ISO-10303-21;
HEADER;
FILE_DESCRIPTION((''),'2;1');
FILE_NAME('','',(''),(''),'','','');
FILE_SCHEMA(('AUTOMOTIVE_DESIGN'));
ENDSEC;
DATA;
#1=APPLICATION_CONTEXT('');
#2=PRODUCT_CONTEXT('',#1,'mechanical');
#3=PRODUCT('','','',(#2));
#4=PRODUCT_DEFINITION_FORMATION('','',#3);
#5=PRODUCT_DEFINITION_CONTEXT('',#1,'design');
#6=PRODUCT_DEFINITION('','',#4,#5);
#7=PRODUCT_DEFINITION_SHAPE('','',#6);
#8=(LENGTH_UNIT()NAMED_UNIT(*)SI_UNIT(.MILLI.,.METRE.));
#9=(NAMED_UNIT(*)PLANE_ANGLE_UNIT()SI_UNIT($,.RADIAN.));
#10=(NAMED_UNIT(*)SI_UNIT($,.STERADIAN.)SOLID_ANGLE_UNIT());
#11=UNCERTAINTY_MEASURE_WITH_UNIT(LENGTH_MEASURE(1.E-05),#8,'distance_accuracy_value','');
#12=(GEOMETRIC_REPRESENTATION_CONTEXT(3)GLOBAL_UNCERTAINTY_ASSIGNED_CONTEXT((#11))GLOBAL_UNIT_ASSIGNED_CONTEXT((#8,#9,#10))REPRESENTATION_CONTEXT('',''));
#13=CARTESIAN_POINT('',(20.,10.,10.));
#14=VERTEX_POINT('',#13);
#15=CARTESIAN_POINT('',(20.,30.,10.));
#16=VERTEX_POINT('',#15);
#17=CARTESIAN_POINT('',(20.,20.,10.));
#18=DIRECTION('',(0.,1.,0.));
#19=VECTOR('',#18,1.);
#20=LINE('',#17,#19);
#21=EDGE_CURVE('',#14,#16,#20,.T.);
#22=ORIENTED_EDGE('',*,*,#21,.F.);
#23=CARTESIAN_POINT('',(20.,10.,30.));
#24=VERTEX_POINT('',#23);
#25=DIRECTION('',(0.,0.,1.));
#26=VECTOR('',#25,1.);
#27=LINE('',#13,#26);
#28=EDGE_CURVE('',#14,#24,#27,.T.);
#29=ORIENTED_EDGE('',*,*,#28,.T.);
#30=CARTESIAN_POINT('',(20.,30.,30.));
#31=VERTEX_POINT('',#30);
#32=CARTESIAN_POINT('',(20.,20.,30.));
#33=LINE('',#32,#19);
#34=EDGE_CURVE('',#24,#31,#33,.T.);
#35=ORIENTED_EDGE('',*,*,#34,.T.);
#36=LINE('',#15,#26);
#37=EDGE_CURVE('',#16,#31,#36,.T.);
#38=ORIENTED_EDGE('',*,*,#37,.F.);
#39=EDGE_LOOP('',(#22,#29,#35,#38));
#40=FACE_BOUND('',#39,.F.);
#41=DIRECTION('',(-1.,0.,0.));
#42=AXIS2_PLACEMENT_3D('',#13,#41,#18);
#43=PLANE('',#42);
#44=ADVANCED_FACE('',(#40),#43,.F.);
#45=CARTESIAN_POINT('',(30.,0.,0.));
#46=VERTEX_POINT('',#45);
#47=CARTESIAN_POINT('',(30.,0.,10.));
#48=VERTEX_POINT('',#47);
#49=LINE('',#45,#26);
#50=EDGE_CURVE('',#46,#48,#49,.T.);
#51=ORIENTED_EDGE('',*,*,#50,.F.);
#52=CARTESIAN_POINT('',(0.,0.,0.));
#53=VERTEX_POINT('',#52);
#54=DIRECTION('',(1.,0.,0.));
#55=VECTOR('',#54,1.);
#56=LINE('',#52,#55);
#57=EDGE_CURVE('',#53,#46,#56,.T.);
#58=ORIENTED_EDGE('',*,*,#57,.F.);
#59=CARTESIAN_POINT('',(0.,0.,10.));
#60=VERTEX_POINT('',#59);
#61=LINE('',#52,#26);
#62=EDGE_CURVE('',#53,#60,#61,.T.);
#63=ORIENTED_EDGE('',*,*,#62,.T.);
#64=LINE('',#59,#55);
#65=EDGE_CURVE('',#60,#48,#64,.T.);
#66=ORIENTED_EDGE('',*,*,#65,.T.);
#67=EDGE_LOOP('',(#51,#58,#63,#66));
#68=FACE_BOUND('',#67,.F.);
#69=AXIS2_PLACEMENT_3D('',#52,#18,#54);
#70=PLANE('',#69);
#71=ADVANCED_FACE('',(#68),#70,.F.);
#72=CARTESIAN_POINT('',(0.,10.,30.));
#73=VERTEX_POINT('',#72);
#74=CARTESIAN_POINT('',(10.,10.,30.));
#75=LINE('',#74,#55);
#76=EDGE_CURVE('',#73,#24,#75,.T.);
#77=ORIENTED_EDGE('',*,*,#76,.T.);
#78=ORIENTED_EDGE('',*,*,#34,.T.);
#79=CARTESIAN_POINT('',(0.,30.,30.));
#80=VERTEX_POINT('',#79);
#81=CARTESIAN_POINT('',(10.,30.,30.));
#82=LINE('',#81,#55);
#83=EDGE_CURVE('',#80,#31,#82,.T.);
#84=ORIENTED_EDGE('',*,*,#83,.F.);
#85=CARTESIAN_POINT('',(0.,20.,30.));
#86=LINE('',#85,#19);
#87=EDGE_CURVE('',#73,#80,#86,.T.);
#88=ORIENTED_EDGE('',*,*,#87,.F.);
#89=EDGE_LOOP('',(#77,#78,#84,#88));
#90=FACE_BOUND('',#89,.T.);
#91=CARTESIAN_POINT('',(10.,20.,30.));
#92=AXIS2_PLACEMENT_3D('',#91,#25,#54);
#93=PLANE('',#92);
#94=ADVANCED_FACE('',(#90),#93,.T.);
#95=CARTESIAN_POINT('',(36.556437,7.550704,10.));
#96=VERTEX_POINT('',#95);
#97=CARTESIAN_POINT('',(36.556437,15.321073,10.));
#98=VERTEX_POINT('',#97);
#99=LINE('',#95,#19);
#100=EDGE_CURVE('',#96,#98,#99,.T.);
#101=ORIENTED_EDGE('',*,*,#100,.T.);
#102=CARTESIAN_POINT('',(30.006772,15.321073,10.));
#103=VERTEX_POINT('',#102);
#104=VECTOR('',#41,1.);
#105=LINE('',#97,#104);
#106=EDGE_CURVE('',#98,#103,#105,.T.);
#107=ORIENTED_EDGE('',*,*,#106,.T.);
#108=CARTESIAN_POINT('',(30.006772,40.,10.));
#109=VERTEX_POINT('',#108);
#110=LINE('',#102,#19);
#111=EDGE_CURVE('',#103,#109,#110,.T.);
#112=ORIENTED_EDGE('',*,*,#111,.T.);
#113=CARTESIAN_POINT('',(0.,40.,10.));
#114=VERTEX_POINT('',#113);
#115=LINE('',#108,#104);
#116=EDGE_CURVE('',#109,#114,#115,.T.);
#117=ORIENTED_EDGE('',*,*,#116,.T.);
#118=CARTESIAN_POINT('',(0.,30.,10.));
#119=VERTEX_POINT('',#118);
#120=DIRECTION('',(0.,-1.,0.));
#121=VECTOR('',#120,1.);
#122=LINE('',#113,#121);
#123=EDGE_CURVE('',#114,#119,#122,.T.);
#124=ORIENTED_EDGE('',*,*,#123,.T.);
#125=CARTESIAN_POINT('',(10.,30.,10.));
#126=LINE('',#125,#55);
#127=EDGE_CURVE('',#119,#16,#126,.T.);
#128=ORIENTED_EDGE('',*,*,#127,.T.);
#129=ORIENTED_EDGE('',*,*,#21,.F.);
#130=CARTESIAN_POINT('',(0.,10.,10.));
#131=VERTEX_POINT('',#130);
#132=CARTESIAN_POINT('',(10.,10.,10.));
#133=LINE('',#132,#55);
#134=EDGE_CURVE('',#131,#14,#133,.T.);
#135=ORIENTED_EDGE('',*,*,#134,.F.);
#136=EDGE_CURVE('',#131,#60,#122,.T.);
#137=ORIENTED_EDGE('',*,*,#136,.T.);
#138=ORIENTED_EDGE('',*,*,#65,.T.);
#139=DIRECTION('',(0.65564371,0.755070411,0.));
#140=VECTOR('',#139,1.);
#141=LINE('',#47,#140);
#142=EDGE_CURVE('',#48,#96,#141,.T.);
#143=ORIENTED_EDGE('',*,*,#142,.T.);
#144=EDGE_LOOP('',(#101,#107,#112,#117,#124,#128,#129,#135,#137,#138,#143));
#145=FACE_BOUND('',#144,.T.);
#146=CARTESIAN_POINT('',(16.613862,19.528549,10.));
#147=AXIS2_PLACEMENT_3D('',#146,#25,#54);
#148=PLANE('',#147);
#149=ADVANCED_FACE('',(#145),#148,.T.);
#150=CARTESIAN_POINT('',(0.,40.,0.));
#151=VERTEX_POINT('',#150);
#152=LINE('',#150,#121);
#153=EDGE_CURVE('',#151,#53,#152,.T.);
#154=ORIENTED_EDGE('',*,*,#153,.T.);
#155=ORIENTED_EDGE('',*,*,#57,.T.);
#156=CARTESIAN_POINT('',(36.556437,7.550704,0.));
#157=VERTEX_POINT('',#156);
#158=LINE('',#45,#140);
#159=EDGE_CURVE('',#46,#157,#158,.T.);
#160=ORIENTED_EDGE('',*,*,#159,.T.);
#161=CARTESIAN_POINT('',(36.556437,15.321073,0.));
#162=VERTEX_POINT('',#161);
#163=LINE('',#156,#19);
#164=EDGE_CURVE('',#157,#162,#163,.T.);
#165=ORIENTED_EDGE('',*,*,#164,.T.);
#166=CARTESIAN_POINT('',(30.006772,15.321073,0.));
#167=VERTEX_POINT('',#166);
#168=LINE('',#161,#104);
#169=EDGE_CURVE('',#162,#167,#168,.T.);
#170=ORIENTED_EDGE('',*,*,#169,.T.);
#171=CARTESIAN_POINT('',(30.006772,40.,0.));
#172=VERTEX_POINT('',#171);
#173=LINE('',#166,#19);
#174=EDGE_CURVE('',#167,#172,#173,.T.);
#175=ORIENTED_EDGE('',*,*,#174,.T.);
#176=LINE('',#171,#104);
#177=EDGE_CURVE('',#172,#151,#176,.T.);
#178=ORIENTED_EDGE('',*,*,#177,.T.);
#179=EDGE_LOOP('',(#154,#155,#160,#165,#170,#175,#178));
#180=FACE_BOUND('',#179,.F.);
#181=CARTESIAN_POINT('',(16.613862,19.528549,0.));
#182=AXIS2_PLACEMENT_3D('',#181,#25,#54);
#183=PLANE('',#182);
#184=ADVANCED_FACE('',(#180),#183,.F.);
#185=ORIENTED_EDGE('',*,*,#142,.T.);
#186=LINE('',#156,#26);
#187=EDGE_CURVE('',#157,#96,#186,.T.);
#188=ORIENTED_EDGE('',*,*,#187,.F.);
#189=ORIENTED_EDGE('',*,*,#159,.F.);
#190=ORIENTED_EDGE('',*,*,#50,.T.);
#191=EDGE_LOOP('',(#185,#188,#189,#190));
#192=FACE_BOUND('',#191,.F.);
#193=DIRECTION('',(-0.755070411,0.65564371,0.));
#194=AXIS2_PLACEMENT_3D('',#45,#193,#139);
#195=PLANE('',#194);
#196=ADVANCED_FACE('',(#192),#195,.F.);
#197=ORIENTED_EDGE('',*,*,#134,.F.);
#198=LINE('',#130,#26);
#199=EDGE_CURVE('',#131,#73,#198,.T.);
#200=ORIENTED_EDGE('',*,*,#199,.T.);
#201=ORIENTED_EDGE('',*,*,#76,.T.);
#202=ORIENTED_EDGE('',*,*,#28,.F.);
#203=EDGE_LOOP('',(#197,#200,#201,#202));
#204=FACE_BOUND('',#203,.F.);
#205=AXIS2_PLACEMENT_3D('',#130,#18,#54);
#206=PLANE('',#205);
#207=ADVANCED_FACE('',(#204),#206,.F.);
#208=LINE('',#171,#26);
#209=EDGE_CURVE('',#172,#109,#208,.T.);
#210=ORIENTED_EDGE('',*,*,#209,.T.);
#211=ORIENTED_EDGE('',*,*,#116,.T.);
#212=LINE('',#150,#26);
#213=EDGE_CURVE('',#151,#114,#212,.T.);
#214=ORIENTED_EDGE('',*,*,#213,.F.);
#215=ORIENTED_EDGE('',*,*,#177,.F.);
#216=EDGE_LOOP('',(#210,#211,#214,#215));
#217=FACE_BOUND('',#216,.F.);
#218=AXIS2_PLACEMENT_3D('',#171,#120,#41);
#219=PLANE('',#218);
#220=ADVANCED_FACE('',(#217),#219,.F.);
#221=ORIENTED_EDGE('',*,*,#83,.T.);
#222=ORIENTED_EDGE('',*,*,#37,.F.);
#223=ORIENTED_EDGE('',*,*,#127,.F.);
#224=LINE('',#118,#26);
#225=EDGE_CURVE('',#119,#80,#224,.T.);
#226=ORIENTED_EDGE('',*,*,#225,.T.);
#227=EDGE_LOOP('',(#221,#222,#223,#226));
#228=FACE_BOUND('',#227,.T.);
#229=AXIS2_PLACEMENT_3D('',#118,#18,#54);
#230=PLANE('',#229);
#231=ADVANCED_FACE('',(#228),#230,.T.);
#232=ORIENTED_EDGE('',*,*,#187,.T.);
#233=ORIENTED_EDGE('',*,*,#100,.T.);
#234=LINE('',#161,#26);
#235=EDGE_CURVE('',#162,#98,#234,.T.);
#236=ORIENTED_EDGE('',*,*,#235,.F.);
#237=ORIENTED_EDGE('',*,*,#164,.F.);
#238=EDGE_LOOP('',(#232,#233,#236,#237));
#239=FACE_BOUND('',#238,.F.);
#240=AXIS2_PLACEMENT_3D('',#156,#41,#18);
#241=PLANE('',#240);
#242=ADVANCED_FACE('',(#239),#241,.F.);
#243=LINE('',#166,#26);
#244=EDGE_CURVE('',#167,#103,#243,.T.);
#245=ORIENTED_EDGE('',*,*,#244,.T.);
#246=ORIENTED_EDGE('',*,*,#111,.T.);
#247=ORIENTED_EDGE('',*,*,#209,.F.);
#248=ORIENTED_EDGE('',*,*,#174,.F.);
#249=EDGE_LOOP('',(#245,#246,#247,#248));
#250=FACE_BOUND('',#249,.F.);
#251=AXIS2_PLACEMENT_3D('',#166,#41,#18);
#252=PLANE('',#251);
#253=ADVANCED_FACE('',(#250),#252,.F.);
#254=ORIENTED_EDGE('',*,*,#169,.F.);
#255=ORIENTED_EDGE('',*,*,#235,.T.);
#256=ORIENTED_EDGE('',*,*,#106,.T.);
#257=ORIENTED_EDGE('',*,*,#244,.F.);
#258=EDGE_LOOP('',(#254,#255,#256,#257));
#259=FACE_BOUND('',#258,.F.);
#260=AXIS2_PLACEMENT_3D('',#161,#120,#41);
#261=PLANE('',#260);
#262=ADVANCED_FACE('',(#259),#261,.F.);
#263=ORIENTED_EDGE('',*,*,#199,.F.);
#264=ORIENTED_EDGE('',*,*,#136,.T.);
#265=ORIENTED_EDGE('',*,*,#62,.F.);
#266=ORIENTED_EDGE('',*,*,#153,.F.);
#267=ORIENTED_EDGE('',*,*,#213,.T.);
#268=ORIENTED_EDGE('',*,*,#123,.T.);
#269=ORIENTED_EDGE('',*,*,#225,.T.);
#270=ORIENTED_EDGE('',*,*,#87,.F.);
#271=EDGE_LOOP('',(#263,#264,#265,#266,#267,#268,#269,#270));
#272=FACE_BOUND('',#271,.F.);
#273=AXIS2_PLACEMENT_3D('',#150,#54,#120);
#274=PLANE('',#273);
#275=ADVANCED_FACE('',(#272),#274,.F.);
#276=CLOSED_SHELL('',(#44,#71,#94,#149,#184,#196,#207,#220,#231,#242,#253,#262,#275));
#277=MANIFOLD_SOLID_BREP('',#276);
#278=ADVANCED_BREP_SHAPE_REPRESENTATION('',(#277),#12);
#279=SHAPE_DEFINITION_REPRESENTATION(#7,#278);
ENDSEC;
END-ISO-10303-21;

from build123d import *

# Parameters (mm, degrees)
F1_DEPTH = 10
F2_W     = 20
F2_H     = 20
F3_DEPTH = 20


with BuildPart() as f1:
    # F0 (on Top) → F1 (new body)
    with BuildSketch(Plane.XY):
        Polygon((0, 40), (0, 0), (30, 0), (36.556437, 7.550704), (36.556437, 15.321073), (30.006772, 15.321073), (30.006772, 40), align=None)
    extrude(amount=F1_DEPTH)

    # F2 (on face) → F3 (join)
    with BuildSketch(Plane.XY.offset(10)):
        with Locations((10, 20)):
            Rectangle(F2_W, F2_H)
    extrude(amount=F3_DEPTH)


solid = f1.part
